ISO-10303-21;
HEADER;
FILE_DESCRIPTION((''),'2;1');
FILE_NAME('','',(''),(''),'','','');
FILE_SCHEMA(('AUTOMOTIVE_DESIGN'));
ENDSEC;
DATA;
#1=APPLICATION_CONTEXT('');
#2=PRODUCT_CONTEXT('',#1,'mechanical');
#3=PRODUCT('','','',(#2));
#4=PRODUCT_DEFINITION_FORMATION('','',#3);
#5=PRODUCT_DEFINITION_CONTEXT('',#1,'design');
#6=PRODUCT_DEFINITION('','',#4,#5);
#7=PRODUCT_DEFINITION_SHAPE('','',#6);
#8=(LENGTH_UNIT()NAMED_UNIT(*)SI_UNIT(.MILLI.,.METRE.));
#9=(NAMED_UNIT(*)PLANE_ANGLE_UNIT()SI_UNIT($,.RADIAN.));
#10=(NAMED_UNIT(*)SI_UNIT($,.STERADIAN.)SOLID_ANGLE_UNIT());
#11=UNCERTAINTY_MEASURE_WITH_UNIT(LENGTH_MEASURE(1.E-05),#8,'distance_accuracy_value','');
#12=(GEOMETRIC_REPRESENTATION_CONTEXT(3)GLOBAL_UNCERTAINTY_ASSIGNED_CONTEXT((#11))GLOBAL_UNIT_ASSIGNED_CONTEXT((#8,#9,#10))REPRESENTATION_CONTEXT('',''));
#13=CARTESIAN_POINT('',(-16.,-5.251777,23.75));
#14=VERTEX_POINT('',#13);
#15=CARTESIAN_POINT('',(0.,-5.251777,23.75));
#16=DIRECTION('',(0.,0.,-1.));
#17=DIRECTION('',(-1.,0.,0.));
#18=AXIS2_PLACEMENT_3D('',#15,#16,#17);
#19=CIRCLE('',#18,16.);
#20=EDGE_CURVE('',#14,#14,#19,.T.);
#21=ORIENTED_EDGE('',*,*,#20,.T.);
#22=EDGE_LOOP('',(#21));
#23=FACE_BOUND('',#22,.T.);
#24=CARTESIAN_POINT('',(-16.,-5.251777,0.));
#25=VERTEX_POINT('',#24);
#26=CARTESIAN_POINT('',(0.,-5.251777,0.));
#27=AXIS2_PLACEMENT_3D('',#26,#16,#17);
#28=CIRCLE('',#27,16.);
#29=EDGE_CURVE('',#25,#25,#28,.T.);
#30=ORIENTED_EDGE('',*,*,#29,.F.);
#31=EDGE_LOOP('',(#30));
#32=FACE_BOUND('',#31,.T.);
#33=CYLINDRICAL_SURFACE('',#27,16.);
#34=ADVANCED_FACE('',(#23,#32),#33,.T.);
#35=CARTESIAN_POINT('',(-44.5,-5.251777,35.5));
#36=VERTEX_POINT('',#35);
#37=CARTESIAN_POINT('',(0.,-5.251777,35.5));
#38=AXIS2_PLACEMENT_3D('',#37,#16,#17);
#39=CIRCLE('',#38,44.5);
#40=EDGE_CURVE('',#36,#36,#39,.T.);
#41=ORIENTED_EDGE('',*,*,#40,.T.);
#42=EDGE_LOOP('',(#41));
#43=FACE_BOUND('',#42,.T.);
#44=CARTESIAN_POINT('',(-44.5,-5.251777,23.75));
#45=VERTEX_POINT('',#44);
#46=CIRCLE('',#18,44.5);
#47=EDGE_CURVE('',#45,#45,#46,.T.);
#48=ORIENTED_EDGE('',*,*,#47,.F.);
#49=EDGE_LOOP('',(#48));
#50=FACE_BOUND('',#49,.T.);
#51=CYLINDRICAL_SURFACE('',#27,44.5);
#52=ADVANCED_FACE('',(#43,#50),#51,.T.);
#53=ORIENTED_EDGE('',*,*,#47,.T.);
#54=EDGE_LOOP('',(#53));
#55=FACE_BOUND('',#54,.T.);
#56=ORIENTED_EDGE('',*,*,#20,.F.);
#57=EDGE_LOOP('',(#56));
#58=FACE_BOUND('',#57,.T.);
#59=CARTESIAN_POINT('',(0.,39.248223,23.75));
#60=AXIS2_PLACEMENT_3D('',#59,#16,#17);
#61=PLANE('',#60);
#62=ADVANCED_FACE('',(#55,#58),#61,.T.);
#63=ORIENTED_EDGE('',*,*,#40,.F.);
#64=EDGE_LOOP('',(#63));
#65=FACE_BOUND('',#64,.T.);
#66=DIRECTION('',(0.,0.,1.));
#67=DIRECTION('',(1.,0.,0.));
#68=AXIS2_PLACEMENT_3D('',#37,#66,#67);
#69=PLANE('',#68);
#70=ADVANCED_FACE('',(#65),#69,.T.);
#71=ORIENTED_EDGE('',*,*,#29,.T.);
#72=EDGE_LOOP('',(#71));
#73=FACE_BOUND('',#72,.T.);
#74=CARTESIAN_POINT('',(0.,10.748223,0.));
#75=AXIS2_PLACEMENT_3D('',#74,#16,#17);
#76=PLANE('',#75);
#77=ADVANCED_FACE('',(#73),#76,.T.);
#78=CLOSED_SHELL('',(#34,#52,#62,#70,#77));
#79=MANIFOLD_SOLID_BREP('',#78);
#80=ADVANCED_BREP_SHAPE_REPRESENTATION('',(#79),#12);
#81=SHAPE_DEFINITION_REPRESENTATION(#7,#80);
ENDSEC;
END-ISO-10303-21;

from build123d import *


with BuildPart() as part:
    # Sketch2 → Revolve1 (revolve)
    with BuildSketch(Plane(origin=(0, 0, 0), x_dir=(0, 0, -1), z_dir=(1, 0, 0))):
        Polygon((-35.5, -5.251776718), (-35.5, 39.248223282), (-23.75, 39.248223282), (-23.75, 10.748223282), (0, 10.748223282), (0, -5.251776718), align=None)
    revolve(axis=Axis((0, -5.251776718, 0), (0, 0, 1)))


solid = part.part
